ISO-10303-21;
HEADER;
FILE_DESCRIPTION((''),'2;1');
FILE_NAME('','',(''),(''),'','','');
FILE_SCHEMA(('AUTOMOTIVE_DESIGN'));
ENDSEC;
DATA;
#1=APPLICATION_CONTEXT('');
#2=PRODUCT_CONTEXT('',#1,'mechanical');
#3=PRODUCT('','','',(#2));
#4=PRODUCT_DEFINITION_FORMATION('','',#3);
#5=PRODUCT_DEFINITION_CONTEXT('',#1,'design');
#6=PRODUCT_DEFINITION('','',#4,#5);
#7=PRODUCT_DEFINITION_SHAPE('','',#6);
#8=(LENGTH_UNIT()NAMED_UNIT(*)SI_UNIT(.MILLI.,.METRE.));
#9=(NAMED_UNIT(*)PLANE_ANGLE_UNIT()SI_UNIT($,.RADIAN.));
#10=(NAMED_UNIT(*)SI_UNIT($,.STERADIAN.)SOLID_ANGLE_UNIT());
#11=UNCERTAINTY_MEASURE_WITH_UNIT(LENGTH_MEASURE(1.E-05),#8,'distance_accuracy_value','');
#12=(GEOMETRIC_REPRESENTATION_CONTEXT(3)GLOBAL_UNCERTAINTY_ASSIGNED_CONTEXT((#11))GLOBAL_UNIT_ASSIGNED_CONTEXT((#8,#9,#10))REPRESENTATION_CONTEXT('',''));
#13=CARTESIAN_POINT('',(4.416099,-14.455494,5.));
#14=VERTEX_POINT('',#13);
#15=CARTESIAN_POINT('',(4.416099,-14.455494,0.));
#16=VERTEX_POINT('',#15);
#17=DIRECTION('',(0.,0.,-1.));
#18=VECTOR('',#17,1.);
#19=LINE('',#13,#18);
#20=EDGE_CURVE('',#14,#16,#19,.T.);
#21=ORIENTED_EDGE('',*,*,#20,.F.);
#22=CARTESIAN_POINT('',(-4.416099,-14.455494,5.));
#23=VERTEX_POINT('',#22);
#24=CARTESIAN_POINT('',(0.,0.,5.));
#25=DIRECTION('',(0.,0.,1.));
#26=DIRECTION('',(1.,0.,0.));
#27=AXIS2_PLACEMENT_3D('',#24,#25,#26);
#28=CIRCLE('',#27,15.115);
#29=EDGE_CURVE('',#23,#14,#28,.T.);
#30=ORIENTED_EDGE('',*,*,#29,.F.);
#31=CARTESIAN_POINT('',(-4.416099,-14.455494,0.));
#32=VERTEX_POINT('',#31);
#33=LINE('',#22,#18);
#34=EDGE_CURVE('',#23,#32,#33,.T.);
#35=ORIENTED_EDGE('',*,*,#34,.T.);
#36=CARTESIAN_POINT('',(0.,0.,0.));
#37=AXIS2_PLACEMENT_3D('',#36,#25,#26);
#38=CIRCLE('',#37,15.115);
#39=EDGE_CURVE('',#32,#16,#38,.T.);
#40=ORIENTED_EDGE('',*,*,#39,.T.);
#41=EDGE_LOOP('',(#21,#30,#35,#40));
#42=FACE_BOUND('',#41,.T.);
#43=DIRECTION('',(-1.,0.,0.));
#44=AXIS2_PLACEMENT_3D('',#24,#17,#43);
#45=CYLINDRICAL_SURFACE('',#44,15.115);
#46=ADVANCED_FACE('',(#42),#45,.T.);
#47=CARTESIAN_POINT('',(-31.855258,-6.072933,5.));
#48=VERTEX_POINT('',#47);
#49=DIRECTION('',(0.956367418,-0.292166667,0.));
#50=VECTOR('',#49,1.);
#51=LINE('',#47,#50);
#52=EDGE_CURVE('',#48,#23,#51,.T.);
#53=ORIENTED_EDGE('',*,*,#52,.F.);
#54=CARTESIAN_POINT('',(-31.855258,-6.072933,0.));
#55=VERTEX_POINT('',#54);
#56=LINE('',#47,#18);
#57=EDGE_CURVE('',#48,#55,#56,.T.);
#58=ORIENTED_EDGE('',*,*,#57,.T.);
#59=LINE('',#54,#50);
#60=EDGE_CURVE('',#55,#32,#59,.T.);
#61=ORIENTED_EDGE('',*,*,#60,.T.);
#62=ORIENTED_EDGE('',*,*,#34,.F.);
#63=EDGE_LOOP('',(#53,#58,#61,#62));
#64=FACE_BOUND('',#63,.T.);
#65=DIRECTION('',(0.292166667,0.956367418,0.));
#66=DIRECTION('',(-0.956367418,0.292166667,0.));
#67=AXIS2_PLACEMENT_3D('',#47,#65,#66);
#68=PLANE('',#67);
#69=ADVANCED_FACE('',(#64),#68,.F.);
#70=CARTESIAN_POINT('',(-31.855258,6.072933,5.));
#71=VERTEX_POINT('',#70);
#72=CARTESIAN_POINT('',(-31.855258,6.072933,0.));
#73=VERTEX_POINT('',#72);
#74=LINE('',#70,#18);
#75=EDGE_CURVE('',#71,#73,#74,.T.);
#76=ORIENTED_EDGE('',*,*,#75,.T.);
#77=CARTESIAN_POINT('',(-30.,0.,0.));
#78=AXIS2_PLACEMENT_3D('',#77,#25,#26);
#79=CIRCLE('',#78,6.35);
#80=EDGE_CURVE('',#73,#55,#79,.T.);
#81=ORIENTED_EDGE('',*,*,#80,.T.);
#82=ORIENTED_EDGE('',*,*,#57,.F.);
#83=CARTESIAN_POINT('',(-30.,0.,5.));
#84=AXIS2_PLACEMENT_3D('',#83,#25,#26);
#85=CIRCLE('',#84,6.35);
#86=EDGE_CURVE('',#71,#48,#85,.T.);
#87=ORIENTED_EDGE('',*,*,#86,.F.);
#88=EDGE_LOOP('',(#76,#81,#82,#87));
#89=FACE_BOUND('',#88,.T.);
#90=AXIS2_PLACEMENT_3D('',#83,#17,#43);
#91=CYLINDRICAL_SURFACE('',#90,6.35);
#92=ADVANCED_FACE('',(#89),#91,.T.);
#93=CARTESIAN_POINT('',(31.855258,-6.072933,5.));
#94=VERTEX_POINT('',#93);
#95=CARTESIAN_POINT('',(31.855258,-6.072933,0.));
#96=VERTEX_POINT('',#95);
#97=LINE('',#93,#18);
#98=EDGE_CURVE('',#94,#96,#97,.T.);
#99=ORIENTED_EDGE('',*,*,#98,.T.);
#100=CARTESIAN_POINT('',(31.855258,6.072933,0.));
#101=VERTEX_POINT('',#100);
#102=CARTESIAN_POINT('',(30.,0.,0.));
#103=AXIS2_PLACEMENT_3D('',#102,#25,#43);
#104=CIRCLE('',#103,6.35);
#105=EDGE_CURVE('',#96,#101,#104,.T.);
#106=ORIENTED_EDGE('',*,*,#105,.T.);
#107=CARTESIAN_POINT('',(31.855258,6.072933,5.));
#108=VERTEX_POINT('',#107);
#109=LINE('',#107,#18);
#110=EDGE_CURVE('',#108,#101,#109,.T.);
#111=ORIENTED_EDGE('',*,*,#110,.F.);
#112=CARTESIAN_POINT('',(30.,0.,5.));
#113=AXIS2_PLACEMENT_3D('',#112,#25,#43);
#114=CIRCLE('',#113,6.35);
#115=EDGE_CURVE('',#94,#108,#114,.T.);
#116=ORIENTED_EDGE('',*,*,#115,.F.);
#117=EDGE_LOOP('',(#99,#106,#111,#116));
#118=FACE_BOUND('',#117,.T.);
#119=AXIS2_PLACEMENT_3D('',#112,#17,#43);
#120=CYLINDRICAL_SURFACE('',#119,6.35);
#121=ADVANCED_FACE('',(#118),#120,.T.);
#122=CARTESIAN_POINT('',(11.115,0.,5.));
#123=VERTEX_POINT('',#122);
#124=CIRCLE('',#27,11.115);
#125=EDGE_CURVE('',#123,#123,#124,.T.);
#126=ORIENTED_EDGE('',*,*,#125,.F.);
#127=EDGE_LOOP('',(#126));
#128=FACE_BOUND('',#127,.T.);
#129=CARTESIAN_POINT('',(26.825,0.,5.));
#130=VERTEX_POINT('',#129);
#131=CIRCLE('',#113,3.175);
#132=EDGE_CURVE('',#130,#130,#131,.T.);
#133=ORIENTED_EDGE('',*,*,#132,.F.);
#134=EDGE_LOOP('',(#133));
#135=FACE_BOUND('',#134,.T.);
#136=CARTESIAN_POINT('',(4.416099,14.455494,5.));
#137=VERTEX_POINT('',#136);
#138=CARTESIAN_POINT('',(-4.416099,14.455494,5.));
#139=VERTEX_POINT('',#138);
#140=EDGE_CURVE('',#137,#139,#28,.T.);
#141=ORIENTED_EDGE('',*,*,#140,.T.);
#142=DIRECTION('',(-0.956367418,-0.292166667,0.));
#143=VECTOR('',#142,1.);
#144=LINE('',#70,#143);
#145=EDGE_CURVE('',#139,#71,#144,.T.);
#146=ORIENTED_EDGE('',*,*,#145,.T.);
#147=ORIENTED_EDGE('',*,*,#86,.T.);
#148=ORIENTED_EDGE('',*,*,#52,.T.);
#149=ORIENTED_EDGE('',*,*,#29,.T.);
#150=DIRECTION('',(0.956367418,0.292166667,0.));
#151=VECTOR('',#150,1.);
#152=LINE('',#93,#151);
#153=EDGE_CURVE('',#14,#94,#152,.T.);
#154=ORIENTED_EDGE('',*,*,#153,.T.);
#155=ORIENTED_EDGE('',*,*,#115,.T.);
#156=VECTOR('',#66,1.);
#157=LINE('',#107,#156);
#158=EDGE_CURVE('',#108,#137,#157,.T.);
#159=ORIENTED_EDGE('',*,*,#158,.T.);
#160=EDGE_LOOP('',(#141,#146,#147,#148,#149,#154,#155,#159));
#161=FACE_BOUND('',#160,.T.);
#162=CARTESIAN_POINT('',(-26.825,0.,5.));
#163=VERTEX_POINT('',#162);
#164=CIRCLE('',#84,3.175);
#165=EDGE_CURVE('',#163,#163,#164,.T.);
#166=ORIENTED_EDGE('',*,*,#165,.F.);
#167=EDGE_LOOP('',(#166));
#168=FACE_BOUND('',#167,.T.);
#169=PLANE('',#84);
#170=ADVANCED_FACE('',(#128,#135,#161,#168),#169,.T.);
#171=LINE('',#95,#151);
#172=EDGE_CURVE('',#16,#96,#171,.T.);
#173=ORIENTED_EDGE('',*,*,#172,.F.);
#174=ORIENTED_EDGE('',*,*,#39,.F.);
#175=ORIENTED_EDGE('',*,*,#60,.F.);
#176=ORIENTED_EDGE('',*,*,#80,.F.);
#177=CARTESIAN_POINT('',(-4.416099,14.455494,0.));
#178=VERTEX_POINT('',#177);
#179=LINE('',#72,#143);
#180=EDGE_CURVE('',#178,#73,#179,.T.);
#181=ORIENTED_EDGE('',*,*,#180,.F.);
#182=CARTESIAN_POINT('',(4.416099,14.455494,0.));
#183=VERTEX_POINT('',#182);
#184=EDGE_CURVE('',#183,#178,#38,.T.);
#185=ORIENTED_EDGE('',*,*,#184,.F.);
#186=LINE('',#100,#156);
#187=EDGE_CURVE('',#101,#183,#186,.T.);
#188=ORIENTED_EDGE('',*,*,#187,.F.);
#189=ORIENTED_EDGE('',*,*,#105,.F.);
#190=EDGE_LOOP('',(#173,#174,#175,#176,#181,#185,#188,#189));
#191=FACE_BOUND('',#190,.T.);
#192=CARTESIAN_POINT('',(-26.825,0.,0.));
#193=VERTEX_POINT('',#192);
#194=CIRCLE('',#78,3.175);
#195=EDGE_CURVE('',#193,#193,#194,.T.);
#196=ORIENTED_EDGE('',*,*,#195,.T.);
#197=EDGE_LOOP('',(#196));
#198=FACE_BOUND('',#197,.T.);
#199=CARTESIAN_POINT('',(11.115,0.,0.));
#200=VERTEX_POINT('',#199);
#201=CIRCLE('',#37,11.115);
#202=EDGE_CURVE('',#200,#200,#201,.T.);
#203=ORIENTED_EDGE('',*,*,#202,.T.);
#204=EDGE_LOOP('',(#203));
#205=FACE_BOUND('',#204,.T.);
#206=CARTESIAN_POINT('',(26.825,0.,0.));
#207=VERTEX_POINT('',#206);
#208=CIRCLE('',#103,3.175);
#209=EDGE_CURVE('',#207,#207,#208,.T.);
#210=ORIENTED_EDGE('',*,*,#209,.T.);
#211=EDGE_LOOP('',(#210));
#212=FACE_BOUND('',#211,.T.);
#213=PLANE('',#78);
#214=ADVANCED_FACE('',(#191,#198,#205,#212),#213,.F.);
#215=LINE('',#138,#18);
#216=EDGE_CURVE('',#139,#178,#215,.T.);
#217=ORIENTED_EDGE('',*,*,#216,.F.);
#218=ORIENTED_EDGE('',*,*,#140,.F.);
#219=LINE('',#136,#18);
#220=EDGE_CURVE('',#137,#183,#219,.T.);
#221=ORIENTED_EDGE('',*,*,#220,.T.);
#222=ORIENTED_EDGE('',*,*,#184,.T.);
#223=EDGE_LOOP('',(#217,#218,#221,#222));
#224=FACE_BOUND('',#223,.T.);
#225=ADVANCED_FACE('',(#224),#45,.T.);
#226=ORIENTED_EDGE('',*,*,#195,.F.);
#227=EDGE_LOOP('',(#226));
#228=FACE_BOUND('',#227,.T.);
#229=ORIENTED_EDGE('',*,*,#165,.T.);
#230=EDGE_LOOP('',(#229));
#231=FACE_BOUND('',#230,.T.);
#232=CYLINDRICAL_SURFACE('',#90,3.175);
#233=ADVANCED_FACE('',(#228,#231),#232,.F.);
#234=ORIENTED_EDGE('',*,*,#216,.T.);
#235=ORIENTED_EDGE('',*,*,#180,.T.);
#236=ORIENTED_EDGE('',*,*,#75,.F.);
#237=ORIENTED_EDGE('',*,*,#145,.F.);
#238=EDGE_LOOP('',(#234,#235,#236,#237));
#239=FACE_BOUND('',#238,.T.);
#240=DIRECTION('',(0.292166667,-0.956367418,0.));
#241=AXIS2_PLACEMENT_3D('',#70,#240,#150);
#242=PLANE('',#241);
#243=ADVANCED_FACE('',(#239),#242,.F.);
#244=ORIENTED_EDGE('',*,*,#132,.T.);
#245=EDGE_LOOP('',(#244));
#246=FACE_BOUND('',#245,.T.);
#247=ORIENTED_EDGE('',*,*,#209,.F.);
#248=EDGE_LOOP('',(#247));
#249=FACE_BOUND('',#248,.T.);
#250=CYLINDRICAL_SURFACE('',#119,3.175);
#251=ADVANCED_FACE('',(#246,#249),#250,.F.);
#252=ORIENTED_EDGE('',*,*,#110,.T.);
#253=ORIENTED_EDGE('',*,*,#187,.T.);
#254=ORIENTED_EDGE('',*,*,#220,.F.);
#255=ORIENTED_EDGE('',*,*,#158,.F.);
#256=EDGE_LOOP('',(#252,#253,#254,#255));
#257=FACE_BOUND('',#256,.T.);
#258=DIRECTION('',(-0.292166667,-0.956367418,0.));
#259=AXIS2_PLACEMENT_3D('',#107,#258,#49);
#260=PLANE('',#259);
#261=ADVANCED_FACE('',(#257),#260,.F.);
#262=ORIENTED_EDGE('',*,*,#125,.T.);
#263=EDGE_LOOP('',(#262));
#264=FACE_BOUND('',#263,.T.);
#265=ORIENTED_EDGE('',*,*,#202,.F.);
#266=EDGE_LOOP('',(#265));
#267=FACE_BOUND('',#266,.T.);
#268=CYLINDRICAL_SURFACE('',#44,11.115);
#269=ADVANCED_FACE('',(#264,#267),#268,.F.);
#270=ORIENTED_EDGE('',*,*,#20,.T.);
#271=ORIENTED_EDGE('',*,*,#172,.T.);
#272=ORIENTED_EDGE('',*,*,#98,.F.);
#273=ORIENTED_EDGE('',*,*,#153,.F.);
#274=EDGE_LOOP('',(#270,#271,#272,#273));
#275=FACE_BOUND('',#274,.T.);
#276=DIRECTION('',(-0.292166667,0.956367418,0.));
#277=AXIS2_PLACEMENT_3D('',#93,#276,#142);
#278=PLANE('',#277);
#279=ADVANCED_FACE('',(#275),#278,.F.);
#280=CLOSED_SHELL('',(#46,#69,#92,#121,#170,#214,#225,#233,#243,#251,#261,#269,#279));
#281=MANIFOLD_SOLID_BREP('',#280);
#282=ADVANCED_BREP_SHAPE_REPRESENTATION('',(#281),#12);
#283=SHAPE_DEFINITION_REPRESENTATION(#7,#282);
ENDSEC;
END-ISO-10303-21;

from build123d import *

# Parameters (mm, degrees)
CROQUIS1_R              = 11.115
CROQUIS1_R_2            = 3.175
SALIENTE_EXTRUIR1_DEPTH = 5


with BuildPart() as part:
    # Croquis1 → Saliente-Extruir1 (new body)
    with BuildSketch(Plane.XY):
        with BuildLine():
            Line((-31.855258333, 6.072933107), (-4.416099167, 14.455493528))
            ThreePointArc((-4.416099167, 14.455493528), (0, 15.115), (4.416099167, 14.455493528))
            Line((4.416099167, 14.455493528), (31.855258333, 6.072933107))
            ThreePointArc((31.855258333, 6.072933107), (36.35, 0), (31.855258333, -6.072933107))
            Line((31.855258333, -6.072933107), (4.416099167, -14.455493528))
            ThreePointArc((4.416099167, -14.455493528), (0, -15.115), (-4.416099167, -14.455493528))
            Line((-4.416099167, -14.455493528), (-31.855258333, -6.072933107))
            ThreePointArc((-31.855258333, -6.072933107), (-36.35, 0), (-31.855258333, 6.072933107))
        make_face()
        Circle(CROQUIS1_R, mode=Mode.SUBTRACT)
        with Locations((-30, 0)):
            Circle(CROQUIS1_R_2, mode=Mode.SUBTRACT)
        with Locations(Location((30, 0, 0), (0, 0, 180))):
            Circle(CROQUIS1_R_2, mode=Mode.SUBTRACT)
    extrude(amount=SALIENTE_EXTRUIR1_DEPTH)


solid = part.part
